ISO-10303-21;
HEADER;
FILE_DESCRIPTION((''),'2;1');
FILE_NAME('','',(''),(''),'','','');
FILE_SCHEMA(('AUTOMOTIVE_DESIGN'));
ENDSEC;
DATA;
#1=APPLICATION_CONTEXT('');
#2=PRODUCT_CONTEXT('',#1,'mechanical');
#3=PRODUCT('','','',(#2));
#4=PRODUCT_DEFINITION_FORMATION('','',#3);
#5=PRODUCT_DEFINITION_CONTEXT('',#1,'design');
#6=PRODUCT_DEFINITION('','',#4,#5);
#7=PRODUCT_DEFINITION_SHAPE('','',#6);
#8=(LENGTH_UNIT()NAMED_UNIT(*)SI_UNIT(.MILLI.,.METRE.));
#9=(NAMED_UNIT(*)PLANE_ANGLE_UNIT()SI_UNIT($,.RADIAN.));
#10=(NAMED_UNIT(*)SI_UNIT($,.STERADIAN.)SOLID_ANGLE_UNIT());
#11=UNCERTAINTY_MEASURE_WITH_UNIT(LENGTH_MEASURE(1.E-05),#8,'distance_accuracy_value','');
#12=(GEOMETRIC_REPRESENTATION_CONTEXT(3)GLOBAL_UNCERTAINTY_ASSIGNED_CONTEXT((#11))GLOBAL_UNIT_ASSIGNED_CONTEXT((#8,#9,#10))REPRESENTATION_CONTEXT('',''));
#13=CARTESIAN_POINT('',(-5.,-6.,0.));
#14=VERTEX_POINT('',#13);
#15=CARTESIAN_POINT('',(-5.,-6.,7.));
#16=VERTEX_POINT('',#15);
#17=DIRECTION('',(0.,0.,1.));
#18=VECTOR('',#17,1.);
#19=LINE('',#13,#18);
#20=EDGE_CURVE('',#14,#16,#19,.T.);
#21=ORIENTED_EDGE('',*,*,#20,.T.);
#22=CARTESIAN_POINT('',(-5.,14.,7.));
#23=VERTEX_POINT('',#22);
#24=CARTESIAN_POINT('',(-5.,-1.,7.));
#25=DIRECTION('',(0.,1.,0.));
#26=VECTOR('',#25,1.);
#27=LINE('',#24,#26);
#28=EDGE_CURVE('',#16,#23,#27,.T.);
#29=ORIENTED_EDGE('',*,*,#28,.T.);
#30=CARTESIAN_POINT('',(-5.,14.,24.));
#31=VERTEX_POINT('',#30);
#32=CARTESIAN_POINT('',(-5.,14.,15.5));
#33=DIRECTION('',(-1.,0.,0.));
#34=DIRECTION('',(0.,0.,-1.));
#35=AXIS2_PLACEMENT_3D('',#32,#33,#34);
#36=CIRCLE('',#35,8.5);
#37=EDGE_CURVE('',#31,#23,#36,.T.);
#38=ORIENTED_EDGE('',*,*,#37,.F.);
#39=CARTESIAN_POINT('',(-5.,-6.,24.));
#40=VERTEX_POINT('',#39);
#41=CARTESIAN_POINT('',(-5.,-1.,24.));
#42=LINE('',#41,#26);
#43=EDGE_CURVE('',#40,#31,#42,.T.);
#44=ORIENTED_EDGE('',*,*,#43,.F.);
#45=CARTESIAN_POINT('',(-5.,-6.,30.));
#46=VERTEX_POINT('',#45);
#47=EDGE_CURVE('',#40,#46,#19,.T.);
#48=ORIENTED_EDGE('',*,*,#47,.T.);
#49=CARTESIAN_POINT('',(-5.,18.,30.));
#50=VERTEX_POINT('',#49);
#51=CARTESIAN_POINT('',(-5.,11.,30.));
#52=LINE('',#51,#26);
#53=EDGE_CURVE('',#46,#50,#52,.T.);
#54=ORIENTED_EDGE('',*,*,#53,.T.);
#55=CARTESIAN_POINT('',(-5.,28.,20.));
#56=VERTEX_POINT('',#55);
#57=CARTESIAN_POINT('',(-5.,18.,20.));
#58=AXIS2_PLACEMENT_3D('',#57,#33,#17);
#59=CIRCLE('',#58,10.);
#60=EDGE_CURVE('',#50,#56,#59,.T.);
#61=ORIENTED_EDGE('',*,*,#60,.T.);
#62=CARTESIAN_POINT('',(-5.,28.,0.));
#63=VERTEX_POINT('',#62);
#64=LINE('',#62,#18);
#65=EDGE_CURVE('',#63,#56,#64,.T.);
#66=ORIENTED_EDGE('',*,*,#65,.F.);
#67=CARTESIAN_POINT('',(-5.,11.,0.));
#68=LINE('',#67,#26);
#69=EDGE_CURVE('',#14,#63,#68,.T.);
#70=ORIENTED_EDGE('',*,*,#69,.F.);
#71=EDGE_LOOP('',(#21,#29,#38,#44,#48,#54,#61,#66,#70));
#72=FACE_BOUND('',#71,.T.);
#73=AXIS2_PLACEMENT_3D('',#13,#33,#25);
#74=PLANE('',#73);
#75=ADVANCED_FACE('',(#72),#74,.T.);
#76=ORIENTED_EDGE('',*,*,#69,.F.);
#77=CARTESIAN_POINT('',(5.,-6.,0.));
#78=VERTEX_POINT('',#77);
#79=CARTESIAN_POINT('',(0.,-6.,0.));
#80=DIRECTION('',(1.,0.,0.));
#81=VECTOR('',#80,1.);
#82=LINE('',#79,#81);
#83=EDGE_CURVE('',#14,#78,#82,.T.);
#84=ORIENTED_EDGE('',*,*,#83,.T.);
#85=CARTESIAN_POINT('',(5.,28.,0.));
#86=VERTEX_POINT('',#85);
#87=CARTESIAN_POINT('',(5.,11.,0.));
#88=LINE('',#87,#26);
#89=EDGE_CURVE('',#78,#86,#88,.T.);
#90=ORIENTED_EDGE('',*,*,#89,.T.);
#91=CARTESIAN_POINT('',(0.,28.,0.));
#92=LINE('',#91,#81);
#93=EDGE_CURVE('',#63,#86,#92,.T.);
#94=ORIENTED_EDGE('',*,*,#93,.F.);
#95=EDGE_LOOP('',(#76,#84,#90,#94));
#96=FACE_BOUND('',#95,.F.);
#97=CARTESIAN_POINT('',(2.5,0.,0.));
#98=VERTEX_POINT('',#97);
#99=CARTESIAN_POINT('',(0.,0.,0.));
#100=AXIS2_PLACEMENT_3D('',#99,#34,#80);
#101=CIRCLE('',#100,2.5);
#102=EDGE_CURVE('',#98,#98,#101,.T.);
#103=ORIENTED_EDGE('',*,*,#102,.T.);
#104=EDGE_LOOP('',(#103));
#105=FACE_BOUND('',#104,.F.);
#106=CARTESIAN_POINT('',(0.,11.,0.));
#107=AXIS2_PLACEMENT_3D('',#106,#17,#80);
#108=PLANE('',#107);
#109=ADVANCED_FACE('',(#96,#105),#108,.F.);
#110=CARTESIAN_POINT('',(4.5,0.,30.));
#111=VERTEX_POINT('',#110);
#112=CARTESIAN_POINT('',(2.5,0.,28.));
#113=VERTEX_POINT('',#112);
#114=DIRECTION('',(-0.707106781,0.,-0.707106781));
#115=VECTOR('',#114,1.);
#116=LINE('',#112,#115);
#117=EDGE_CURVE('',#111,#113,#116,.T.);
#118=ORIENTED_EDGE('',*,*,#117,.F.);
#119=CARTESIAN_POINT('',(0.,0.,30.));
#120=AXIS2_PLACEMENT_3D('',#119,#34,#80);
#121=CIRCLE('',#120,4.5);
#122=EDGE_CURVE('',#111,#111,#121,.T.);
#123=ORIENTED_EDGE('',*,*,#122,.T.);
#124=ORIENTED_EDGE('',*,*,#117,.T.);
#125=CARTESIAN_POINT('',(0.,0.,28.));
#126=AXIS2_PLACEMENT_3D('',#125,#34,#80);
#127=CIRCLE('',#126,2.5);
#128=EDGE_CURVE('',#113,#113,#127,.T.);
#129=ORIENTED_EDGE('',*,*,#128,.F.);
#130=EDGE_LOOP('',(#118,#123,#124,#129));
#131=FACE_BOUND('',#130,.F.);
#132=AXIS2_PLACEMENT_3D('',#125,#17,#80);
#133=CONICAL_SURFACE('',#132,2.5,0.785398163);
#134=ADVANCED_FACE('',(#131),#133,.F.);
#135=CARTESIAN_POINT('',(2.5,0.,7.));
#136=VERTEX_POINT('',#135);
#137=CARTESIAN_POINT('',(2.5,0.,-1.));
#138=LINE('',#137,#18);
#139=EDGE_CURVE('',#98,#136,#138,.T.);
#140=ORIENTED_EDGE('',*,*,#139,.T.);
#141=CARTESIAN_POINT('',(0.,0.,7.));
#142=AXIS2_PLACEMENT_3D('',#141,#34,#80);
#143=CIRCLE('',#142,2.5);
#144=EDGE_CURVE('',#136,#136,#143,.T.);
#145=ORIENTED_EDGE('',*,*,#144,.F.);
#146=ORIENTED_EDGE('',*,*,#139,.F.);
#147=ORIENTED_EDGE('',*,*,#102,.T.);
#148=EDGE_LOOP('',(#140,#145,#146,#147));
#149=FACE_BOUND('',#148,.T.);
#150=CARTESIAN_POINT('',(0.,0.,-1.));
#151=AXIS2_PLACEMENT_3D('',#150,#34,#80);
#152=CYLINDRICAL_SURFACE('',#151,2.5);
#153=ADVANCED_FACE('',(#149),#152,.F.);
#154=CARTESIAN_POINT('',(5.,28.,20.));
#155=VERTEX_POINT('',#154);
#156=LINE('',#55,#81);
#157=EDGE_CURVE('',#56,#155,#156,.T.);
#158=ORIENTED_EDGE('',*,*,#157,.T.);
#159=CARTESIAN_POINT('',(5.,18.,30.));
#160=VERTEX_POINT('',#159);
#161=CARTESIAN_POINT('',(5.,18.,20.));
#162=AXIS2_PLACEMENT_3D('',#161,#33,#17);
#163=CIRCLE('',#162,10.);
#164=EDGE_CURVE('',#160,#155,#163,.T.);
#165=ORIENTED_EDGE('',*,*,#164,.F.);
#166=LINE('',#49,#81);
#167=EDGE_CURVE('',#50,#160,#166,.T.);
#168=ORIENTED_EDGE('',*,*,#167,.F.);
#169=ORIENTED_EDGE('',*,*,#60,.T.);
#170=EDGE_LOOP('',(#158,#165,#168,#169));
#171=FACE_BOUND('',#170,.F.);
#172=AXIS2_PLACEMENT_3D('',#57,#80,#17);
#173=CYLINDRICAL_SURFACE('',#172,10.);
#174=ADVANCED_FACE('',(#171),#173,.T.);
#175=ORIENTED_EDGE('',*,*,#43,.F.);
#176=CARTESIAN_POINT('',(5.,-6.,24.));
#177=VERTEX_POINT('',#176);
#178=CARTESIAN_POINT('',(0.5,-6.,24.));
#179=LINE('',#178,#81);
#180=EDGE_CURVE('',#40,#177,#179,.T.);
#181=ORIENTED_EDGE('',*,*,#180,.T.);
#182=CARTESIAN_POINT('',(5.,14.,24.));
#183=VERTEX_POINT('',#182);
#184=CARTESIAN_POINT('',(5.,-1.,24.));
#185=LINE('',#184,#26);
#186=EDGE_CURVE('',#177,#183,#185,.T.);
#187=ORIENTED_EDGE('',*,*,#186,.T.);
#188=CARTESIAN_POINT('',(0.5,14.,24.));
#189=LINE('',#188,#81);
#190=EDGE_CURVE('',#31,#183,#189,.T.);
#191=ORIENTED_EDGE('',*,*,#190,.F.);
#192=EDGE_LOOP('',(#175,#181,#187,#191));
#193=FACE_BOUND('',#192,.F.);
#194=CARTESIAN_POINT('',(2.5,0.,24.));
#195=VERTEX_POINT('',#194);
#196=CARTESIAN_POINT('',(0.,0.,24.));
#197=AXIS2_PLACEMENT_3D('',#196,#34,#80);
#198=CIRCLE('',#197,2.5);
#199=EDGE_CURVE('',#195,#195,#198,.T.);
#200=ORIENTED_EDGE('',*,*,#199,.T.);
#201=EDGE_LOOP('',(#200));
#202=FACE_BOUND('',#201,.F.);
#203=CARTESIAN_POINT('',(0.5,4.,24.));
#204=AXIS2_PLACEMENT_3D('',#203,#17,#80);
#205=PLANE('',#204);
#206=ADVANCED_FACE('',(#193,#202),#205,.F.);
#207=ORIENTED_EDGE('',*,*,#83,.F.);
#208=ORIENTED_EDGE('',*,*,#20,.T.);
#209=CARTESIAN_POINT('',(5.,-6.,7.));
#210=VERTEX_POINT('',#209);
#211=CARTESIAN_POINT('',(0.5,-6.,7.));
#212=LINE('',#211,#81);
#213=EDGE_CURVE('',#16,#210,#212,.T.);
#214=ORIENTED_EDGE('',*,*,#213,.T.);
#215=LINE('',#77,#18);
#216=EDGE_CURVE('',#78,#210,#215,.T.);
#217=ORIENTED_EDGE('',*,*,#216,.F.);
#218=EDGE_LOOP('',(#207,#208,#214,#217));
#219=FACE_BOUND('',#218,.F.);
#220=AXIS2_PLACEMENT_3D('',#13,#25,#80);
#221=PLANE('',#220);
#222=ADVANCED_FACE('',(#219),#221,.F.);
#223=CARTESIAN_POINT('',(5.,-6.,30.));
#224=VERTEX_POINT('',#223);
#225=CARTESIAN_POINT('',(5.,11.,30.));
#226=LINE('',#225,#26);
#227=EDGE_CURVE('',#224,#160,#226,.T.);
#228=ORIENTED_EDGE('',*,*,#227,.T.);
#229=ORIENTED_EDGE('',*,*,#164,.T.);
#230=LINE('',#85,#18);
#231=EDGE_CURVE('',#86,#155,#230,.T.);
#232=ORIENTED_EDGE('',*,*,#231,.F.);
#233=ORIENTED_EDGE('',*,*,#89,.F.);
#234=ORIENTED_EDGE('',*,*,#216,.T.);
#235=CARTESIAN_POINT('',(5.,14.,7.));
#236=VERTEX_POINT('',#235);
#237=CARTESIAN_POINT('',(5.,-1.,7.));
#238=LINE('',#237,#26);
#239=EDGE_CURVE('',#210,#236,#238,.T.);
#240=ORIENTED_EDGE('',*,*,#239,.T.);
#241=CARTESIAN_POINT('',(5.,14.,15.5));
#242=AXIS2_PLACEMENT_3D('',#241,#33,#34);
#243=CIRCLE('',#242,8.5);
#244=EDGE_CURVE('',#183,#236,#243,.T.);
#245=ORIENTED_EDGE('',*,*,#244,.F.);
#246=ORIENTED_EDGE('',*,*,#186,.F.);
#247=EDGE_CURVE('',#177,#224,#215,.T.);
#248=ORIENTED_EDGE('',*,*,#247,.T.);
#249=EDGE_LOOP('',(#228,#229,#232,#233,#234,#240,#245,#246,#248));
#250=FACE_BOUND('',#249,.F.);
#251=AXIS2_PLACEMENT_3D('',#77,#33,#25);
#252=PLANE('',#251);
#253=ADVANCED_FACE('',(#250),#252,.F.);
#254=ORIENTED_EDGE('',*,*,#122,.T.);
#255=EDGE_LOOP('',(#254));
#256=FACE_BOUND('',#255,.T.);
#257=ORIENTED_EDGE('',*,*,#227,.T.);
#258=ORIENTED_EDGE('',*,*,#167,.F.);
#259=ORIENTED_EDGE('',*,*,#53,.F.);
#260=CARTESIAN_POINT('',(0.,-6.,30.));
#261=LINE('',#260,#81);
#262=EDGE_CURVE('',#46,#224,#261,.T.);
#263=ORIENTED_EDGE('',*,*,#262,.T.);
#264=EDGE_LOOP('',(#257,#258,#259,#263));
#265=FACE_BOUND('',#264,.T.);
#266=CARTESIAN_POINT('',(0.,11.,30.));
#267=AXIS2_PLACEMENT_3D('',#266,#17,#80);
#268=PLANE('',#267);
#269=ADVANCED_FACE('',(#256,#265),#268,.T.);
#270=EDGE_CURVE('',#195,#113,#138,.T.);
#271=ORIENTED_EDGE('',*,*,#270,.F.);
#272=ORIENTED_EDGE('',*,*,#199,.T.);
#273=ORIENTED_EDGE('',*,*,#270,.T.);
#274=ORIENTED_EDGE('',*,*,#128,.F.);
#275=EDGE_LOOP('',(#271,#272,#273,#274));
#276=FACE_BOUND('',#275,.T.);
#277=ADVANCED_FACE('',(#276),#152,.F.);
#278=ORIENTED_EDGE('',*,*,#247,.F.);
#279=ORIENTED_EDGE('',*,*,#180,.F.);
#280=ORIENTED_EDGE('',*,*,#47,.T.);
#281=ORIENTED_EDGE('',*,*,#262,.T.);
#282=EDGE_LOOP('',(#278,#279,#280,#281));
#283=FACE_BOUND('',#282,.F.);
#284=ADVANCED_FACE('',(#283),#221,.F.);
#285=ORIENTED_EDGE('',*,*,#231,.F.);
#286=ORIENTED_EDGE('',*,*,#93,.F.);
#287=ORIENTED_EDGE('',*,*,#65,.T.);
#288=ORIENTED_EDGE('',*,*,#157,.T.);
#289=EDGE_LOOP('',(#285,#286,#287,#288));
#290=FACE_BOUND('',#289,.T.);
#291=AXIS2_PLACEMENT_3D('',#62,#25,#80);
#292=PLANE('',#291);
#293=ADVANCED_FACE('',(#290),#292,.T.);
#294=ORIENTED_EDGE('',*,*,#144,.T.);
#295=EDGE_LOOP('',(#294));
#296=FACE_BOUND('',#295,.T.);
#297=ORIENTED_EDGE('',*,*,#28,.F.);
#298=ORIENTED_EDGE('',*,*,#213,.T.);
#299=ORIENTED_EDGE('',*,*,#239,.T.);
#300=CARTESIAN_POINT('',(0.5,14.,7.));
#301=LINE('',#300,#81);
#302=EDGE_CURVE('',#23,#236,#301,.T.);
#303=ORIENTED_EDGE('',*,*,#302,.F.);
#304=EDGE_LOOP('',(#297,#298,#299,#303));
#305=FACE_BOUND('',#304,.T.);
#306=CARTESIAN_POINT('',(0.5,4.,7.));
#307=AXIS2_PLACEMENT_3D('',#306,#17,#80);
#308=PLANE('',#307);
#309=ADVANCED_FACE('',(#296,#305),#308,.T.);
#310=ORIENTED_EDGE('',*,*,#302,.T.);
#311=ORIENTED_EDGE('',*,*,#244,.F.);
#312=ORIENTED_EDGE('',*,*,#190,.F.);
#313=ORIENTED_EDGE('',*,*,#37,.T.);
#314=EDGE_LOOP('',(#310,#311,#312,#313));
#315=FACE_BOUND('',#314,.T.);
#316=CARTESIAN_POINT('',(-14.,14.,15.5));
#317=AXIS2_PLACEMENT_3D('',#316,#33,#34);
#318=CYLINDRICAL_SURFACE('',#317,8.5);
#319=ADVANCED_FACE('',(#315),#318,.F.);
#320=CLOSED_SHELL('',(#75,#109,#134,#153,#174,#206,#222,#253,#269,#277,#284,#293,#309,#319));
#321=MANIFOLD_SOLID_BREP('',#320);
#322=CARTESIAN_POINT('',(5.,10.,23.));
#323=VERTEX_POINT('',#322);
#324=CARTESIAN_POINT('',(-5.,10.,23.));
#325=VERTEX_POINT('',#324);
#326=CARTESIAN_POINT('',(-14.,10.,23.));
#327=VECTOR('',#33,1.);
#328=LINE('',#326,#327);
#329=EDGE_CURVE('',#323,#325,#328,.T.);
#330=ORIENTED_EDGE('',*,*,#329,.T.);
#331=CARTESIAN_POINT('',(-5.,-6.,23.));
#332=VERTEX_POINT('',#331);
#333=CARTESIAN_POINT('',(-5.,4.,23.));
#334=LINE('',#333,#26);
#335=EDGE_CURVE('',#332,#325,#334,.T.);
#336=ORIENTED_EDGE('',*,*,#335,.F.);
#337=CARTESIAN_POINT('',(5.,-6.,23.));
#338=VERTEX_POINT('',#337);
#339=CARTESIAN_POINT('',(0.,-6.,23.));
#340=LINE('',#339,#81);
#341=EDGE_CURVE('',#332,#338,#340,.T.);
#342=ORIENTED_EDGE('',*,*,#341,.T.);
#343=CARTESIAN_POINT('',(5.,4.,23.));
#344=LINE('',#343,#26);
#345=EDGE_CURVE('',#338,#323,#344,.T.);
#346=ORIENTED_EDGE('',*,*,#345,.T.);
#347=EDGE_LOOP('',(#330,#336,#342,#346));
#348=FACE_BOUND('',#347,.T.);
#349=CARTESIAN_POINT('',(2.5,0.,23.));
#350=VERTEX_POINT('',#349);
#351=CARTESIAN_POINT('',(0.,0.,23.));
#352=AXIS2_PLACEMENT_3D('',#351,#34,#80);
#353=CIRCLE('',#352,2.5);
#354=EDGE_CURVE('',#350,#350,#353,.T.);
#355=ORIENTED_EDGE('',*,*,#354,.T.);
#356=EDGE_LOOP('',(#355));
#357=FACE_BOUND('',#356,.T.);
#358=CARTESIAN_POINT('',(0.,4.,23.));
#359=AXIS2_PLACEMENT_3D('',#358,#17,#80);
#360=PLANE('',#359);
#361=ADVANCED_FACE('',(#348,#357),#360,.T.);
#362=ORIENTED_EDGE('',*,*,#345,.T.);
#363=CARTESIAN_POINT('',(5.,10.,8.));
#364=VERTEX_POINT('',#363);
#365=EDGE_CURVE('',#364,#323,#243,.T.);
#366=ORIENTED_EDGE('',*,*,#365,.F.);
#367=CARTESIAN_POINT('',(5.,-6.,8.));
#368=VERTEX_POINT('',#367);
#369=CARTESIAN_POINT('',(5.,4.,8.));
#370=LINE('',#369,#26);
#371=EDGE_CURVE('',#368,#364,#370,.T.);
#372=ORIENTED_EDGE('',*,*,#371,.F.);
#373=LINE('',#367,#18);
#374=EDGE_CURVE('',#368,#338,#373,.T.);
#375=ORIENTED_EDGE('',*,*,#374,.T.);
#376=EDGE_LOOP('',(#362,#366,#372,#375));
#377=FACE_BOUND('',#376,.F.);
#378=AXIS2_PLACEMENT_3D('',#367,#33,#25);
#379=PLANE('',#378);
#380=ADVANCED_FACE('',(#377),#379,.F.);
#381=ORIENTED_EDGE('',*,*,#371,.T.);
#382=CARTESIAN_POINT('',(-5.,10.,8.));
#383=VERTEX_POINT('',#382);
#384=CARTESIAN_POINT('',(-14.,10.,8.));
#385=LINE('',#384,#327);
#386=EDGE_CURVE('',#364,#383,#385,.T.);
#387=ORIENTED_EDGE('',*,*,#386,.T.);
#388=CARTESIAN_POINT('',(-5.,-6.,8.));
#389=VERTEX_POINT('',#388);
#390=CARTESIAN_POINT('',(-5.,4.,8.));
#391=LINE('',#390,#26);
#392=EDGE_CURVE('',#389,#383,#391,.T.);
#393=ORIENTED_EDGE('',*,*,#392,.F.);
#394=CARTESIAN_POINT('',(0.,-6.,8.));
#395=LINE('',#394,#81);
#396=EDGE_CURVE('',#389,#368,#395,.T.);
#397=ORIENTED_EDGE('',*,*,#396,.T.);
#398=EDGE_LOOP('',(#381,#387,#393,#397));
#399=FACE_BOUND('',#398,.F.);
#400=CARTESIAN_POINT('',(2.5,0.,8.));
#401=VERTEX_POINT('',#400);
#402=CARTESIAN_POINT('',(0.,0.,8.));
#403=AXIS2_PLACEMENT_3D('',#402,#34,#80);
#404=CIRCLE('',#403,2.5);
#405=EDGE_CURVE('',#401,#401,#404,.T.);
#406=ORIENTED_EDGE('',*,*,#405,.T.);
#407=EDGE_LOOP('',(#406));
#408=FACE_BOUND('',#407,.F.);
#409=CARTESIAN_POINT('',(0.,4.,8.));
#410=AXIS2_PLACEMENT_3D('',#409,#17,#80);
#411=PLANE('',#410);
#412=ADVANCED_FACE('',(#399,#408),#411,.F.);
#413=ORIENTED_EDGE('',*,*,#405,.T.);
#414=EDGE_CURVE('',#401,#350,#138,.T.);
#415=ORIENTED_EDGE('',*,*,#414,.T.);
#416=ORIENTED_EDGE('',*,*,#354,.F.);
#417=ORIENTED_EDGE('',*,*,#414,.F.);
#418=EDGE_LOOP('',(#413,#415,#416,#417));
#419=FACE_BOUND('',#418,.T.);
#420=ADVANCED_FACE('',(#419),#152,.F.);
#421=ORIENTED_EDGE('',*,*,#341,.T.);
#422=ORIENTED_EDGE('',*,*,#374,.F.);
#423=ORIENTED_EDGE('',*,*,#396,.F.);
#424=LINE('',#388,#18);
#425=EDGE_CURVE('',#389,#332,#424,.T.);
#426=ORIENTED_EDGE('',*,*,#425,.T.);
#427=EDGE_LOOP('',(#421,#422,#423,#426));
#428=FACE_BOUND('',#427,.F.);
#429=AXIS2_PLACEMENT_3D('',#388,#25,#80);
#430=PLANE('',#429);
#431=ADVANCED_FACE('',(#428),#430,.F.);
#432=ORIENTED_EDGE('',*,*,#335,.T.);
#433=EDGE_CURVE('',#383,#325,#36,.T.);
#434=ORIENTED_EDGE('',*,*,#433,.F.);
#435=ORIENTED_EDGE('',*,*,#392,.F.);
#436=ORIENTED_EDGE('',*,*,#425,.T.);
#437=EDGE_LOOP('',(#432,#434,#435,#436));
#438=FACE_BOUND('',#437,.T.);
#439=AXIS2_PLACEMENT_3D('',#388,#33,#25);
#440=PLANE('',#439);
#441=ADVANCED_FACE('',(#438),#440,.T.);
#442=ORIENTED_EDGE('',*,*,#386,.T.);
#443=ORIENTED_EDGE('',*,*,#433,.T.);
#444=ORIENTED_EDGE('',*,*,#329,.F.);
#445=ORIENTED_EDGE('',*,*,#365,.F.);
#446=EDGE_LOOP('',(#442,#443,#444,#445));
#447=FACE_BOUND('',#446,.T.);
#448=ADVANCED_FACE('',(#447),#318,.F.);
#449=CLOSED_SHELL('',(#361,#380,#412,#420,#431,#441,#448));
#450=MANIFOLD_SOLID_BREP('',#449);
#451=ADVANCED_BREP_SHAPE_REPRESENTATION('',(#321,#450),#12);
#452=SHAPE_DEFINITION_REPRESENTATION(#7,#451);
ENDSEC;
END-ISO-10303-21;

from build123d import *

# Parameters (mm, degrees)
CYLINDER001_R           = 8.5
CYLINDER001_DEPTH       = 30
CYLINDER001_PITCH_ANGLE = 90
CYLINDER_R              = 2.5
CYLINDER_DEPTH          = 37
BOX001_W                = 15
BOX001_H                = 20
BOX001_DEPTH            = 17
BOX_W                   = 10
BOX_H                   = 34
BOX_DEPTH               = 30
CHAMFER_SIZE            = 2
FILLET_R                = 10
CYLINDER003_R           = 2.5
CYLINDER003_DEPTH       = 37
CYLINDER002_R           = 8.5
CYLINDER002_DEPTH       = 30
CYLINDER002_PITCH_ANGLE = 90
BOX002_W                = 10
BOX002_H                = 20
BOX002_DEPTH            = 15


with BuildPart() as cylinder001:
    # Cylinder001 → Cylinder001 (new body)
    with BuildSketch(Plane.XY):
        Circle(CYLINDER001_R)
    extrude(amount=CYLINDER001_DEPTH)


with BuildPart() as cylinder001_1:
    # Cylinder001 pitch: moved
    add(cylinder001.part.rotate(Axis((0, 0, 0), (0, 1, 0)), CYLINDER001_PITCH_ANGLE))


with BuildPart() as cylinder001_2:
    # Cylinder001 placement: moved
    add(cylinder001_1.part.moved(Location((-14, 14, 15.5))))


with BuildPart() as cylinder:
    # Cylinder → Cylinder (new body)
    with BuildSketch(Plane.XY.offset(-1)):
        Circle(CYLINDER_R)
    extrude(amount=CYLINDER_DEPTH)


with BuildPart() as fusion:
    # Box001 → Box001 (new body)
    with BuildSketch(Plane(origin=(-7, -6, 7), x_dir=(1, 0, 0), z_dir=(0, 0, 1))):
        with Locations((7.5, 10)):
            Rectangle(BOX001_W, BOX001_H)
    extrude(amount=BOX001_DEPTH)

    # Fusion: union Cylinder001, Cylinder
    add(cylinder001_2.part)
    add(cylinder.part)


with BuildPart() as fillet_body:
    # Box → Box (new body)
    with BuildSketch(Plane(origin=(-5, -6, 0), x_dir=(1, 0, 0), z_dir=(0, 0, 1))):
        with Locations((5, 17)):
            Rectangle(BOX_W, BOX_H)
    extrude(amount=BOX_DEPTH)

    # Cut: cut Fusion
    add(fusion.part, mode=Mode.SUBTRACT)

    # Chamfer
    chamfer_edges = [fillet_body.edges().sort_by_distance(p)[0] for p in [
        (-2.5, 0, 30),
    ]]
    chamfer(chamfer_edges, length=CHAMFER_SIZE)

    # Fillet
    fillet_edges = [fillet_body.edges().sort_by_distance(p)[0] for p in [
        (0, 28, 30),
    ]]
    fillet(fillet_edges, radius=FILLET_R)


with BuildPart() as cylinder003:
    # Cylinder003 → Cylinder003 (new body)
    with BuildSketch(Plane.XY.offset(-1)):
        Circle(CYLINDER003_R)
    extrude(amount=CYLINDER003_DEPTH)


with BuildPart() as fusion001:
    # Cylinder002 → Cylinder002 (new body)
    with BuildSketch(Plane.XY):
        Circle(CYLINDER002_R)
    extrude(amount=CYLINDER002_DEPTH)


with BuildPart() as fusion001_1:
    # Cylinder002 pitch: moved
    add(fusion001.part.rotate(Axis((0, 0, 0), (0, 1, 0)), CYLINDER002_PITCH_ANGLE))


with BuildPart() as fusion001_2:
    # Cylinder002 placement: moved
    add(fusion001_1.part.moved(Location((-14, 14, 15.5))))

    # Fusion001: union Cylinder003
    add(cylinder003.part)


with BuildPart() as cut001:
    # Box002 → Box002 (new body)
    with BuildSketch(Plane(origin=(-5, -6, 8), x_dir=(1, 0, 0), z_dir=(0, 0, 1))):
        with Locations((5, 10)):
            Rectangle(BOX002_W, BOX002_H)
    extrude(amount=BOX002_DEPTH)

    # Cut001: cut Fusion001
    add(fusion001_2.part, mode=Mode.SUBTRACT)


solid = Compound([fillet_body.part, cut001.part])
